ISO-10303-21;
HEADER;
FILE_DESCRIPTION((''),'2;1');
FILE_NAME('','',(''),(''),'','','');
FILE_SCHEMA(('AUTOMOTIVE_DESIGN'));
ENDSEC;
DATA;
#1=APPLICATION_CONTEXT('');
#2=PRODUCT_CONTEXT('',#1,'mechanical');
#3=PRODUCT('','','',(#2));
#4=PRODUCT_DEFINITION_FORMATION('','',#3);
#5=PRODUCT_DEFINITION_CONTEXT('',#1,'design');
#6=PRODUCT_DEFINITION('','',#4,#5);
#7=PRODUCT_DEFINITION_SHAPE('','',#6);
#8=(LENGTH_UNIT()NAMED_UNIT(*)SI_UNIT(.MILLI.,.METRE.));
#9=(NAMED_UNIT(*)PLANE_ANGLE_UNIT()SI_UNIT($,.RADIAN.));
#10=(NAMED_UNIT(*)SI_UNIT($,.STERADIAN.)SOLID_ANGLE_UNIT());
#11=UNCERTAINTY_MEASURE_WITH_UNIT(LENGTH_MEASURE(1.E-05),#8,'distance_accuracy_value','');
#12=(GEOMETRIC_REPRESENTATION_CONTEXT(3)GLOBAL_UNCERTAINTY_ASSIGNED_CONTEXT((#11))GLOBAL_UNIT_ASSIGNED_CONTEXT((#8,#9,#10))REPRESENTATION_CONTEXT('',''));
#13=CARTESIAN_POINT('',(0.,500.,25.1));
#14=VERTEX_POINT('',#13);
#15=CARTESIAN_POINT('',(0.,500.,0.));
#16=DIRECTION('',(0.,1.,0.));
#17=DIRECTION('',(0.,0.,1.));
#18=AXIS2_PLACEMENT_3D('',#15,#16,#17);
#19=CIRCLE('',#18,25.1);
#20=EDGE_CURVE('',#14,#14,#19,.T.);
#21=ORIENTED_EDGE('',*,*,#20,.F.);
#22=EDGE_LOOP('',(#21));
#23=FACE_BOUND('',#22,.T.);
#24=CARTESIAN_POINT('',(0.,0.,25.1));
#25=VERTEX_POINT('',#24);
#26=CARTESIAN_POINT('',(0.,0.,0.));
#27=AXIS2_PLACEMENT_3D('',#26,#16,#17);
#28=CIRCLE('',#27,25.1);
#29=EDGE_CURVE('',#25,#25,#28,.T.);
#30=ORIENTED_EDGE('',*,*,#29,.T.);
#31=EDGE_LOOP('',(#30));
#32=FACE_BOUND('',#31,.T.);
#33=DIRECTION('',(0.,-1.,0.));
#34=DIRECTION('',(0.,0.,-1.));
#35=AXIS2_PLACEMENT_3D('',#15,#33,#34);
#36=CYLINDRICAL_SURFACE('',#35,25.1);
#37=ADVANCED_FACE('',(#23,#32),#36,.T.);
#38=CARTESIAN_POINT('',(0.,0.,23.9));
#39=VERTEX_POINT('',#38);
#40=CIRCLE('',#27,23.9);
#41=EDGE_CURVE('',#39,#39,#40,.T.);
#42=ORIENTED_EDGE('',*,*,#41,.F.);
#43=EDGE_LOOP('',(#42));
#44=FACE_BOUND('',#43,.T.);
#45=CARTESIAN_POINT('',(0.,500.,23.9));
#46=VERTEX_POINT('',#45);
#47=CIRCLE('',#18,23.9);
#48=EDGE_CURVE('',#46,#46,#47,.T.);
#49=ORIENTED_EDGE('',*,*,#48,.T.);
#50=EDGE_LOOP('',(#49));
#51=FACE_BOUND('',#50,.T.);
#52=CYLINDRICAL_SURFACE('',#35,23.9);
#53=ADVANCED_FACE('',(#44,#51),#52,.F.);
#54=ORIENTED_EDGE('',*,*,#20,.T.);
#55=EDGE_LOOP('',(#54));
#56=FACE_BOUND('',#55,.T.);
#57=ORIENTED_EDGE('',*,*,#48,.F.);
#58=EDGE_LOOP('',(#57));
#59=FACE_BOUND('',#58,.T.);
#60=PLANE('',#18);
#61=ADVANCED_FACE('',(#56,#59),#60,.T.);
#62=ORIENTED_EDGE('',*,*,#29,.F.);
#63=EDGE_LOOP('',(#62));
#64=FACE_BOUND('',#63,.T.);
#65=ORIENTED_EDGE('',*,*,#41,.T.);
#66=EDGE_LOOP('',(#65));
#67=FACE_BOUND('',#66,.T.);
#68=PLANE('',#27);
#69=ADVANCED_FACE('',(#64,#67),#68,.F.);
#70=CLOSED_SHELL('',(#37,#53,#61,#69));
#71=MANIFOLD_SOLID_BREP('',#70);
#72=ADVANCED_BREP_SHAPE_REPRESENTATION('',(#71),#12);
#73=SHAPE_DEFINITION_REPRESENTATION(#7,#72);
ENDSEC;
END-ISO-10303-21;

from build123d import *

# Parameters (mm, degrees)
SKETCH1_R           = 25.1
SKETCH1_R_2         = 23.9
BOSS_EXTRUDE1_DEPTH = 500


with BuildPart() as part:
    # Sketch1 → Boss-Extrude1 (new body)
    with BuildSketch(Plane(origin=(0, 0, 0), x_dir=(1, 0, 0), z_dir=(0, 1, 0))):
        with Locations(Location((0, 0, 0), (0, 0, 270))):
            Circle(SKETCH1_R)
        with Locations(Location((0, 0, 0), (0, 0, 270))):
            Circle(SKETCH1_R_2, mode=Mode.SUBTRACT)
    extrude(amount=BOSS_EXTRUDE1_DEPTH)


solid = part.part
